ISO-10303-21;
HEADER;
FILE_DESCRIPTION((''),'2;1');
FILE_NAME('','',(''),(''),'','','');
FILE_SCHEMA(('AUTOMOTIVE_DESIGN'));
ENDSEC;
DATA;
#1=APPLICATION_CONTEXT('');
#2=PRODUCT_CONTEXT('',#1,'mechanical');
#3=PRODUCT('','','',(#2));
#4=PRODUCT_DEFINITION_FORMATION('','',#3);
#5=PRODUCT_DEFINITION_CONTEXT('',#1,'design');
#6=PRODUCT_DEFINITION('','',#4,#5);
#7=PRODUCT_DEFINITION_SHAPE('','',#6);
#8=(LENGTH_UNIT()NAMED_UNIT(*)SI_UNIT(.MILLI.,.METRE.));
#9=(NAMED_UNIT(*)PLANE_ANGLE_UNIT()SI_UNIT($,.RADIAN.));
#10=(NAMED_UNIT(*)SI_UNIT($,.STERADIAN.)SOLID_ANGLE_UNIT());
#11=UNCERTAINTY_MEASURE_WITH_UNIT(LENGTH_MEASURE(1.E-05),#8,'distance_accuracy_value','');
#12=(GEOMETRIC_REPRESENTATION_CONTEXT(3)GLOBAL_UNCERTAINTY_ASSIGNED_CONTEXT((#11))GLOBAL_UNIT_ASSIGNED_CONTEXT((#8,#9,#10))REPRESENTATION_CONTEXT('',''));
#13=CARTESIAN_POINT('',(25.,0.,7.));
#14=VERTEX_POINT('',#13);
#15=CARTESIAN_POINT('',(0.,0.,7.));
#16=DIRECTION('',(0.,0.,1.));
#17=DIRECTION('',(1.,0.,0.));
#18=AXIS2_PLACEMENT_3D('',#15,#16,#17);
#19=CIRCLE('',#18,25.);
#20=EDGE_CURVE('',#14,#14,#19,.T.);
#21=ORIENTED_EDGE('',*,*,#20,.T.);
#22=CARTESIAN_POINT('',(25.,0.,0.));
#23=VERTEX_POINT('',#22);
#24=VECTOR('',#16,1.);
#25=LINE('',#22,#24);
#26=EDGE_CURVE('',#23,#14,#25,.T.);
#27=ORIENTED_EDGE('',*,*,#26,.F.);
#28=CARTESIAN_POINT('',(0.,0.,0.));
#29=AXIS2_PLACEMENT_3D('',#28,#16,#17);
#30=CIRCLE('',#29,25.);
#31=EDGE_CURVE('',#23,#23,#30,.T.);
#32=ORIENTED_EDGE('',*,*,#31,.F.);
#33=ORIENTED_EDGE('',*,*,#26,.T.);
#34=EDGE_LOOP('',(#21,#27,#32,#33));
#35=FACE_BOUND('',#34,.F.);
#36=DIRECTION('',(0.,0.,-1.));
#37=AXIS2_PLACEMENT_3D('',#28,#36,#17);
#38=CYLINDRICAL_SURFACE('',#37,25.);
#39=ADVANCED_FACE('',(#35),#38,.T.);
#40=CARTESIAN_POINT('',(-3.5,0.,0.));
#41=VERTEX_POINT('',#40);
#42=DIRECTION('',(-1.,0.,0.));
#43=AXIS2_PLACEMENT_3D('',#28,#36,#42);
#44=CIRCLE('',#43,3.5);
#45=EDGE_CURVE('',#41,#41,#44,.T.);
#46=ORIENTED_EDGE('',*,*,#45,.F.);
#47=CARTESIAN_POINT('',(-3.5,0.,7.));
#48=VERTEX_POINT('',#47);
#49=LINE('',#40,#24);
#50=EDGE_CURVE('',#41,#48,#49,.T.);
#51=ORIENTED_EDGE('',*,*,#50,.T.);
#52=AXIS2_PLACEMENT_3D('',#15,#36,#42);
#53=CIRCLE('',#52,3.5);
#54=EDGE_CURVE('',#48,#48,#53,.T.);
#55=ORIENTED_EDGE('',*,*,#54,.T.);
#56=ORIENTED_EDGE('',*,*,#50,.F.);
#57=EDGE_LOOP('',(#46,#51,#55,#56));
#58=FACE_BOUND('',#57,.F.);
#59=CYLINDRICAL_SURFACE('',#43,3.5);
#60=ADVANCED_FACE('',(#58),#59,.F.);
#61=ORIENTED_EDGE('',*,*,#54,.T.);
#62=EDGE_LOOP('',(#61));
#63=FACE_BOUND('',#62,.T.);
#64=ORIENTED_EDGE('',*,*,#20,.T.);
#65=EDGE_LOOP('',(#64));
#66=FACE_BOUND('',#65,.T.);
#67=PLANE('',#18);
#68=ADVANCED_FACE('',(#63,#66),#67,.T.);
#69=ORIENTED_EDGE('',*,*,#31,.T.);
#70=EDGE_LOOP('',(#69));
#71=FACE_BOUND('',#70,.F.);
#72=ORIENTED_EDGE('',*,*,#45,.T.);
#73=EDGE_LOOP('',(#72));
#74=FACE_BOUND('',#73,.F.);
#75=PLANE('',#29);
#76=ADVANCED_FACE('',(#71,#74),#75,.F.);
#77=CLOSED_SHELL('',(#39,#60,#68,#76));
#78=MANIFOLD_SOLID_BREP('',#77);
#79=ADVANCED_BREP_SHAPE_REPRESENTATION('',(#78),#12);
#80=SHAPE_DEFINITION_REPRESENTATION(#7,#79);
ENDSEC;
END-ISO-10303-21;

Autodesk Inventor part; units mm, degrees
ref_plane "YZ Plane" through (0, 0, 0) normal (1, 0, 0) x (0, 1, 0)
ref_plane "XZ Plane" through (0, 0, 0) normal (0, 1, 0) x (-1, 0, 0)
ref_plane "XY Plane" through (0, 0, 0) normal (0, 0, 1) x (1, 0, 0)
sketch "Boceto1" plane through (0, 0, 0) normal (0, 0, 1) x (1, 0, 0)
  circle A0 centre (0, 0) radius 25
  dimension "d0" = 50
extrude "Extrusión1" add sketch "Boceto1" along normal blind 7
sketch "Boceto2" plane through (0, 0, 0) normal (0, 0, -1) x (-1, 0, 0)
  circle A0 centre (0, 0) radius 3.5
  dimension "d3" = 7
extrude "Extrusión2" cut sketch "Boceto2" against normal blind 7
properties part number "disquito físico"
